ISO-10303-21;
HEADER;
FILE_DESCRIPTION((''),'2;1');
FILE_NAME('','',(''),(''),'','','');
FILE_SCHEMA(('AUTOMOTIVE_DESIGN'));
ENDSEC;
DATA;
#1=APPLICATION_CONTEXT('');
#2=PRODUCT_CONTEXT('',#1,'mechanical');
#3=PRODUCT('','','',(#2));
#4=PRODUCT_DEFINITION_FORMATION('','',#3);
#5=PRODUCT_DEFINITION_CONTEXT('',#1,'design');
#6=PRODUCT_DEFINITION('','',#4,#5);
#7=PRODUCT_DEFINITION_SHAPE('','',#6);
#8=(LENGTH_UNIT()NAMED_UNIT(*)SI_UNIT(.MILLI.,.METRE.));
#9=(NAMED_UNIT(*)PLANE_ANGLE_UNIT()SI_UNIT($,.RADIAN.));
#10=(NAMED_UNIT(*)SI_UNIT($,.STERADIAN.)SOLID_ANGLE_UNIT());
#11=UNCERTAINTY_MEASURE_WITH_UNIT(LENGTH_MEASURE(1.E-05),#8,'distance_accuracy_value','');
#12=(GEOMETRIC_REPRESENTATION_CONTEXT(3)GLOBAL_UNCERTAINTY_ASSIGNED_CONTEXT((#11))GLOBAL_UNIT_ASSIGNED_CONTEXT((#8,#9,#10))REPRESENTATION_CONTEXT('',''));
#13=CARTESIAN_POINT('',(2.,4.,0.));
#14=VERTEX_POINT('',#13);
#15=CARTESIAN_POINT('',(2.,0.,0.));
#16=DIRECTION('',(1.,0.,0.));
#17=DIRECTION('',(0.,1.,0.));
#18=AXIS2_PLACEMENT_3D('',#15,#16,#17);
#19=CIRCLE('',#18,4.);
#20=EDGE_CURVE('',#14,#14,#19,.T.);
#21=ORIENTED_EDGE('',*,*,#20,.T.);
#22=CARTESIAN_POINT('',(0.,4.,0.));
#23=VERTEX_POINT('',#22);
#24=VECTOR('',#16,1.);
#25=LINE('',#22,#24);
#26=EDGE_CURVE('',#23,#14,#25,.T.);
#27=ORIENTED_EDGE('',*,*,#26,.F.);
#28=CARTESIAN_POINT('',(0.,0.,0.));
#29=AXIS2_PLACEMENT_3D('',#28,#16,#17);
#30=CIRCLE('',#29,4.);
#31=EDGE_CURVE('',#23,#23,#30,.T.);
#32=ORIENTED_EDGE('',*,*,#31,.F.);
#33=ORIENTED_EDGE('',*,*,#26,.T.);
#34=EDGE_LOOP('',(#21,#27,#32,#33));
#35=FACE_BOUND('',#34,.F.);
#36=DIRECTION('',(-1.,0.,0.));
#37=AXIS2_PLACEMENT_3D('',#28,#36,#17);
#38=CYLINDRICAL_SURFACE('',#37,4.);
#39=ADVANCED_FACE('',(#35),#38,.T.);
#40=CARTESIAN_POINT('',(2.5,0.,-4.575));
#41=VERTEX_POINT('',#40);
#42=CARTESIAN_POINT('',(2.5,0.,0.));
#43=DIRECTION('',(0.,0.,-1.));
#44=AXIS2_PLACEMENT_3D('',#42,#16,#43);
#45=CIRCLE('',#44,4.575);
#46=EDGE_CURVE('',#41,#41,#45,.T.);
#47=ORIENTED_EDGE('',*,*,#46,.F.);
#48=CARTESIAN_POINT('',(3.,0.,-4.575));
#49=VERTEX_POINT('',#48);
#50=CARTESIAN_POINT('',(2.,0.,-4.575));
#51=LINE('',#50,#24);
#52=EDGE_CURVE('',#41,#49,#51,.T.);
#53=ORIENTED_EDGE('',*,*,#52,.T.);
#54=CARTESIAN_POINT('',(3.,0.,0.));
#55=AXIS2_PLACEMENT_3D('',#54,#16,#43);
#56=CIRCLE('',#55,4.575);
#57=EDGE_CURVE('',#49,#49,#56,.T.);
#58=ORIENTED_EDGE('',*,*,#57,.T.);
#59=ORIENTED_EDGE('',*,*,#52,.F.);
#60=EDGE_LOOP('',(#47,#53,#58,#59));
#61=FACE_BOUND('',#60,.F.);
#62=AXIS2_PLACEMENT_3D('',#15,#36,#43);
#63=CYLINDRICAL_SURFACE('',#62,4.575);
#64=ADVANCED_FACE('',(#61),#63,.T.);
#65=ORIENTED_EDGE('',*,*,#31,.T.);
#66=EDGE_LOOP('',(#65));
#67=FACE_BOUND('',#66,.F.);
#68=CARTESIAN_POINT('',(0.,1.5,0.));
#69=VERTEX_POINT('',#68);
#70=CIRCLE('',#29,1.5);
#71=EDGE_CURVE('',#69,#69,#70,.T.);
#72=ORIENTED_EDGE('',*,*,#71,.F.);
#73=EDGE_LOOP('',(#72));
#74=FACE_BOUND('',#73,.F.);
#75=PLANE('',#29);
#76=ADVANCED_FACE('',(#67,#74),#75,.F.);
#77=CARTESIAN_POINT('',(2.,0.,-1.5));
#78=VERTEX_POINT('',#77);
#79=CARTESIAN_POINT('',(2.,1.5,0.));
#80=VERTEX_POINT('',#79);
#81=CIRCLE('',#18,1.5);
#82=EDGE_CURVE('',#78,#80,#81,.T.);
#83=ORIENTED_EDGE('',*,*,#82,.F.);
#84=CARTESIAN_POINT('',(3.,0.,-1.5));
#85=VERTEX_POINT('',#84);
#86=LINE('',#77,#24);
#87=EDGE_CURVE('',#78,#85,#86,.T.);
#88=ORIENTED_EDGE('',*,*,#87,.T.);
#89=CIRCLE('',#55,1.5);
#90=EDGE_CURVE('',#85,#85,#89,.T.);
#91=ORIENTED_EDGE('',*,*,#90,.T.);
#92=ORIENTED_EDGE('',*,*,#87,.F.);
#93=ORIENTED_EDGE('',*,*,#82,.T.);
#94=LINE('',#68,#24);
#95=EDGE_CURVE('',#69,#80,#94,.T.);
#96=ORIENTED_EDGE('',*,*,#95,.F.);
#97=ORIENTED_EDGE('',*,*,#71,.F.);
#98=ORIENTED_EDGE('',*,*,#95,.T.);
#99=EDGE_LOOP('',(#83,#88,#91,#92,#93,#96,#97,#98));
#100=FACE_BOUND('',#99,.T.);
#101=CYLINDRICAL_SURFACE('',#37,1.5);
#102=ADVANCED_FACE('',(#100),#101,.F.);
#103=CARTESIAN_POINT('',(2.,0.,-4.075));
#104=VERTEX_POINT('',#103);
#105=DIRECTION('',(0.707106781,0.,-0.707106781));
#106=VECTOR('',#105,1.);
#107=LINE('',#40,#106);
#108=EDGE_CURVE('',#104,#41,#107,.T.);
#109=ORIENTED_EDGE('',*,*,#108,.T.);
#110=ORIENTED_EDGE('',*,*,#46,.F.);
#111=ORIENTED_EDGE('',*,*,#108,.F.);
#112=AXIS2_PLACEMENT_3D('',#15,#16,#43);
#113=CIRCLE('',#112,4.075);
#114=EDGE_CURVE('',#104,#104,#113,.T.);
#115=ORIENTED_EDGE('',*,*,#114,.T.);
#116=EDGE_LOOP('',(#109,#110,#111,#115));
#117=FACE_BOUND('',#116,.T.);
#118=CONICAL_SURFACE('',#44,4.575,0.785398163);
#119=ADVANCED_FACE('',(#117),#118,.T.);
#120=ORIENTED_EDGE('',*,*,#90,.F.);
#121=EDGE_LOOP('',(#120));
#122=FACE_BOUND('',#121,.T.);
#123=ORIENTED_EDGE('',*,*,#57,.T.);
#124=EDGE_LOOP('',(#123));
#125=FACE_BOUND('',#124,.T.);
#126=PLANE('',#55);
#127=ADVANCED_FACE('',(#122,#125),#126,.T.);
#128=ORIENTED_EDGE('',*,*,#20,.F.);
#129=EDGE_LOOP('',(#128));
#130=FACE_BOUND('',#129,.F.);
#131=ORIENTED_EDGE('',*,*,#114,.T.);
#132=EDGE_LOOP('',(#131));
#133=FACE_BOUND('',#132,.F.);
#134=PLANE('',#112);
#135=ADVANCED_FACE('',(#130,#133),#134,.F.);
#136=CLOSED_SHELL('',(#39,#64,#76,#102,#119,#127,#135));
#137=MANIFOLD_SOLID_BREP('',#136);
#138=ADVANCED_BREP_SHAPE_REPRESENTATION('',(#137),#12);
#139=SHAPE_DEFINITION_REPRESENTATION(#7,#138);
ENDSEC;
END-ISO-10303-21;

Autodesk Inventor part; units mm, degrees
ref_plane "YZ Plane" through (0, 0, 0) normal (1, 0, 0) x (0, 1, 0)
ref_plane "XZ Plane" through (0, 0, 0) normal (0, 1, 0) x (-1, 0, 0)
ref_plane "XY Plane" through (0, 0, 0) normal (0, 0, 1) x (1, 0, 0)
sketch "Skizze1" plane through (0, 0, 0) normal (1, 0, 0) x (0, 1, 0)
  circle A0 centre (0, 0) radius 4
  circle A1 centre (0, 0) radius 1.5
  dimension "d0" = 8
  dimension "d1" = 3
extrude "Extrusion1" add sketch "Skizze1" along normal blind 2
sketch "Skizze2" plane through (2, 0, 0) normal (1, 0, 0) x (0, 0, -1)
  circle A0 centre (0, 0) radius 4 projected
  circle A1 centre (0, 0) radius 1.5 projected
  circle A2 centre (0, 0) radius 4.575
  dimension "d4" = 9.15
extrude "Extrusion2" add sketch "Skizze2" along normal blind 1 contours A0 | A2
chamfer "Fase1" distance 0.5 angle 45 1 edges at (2, 0, 4.575)
properties part number "00_Bearing_8mm"
